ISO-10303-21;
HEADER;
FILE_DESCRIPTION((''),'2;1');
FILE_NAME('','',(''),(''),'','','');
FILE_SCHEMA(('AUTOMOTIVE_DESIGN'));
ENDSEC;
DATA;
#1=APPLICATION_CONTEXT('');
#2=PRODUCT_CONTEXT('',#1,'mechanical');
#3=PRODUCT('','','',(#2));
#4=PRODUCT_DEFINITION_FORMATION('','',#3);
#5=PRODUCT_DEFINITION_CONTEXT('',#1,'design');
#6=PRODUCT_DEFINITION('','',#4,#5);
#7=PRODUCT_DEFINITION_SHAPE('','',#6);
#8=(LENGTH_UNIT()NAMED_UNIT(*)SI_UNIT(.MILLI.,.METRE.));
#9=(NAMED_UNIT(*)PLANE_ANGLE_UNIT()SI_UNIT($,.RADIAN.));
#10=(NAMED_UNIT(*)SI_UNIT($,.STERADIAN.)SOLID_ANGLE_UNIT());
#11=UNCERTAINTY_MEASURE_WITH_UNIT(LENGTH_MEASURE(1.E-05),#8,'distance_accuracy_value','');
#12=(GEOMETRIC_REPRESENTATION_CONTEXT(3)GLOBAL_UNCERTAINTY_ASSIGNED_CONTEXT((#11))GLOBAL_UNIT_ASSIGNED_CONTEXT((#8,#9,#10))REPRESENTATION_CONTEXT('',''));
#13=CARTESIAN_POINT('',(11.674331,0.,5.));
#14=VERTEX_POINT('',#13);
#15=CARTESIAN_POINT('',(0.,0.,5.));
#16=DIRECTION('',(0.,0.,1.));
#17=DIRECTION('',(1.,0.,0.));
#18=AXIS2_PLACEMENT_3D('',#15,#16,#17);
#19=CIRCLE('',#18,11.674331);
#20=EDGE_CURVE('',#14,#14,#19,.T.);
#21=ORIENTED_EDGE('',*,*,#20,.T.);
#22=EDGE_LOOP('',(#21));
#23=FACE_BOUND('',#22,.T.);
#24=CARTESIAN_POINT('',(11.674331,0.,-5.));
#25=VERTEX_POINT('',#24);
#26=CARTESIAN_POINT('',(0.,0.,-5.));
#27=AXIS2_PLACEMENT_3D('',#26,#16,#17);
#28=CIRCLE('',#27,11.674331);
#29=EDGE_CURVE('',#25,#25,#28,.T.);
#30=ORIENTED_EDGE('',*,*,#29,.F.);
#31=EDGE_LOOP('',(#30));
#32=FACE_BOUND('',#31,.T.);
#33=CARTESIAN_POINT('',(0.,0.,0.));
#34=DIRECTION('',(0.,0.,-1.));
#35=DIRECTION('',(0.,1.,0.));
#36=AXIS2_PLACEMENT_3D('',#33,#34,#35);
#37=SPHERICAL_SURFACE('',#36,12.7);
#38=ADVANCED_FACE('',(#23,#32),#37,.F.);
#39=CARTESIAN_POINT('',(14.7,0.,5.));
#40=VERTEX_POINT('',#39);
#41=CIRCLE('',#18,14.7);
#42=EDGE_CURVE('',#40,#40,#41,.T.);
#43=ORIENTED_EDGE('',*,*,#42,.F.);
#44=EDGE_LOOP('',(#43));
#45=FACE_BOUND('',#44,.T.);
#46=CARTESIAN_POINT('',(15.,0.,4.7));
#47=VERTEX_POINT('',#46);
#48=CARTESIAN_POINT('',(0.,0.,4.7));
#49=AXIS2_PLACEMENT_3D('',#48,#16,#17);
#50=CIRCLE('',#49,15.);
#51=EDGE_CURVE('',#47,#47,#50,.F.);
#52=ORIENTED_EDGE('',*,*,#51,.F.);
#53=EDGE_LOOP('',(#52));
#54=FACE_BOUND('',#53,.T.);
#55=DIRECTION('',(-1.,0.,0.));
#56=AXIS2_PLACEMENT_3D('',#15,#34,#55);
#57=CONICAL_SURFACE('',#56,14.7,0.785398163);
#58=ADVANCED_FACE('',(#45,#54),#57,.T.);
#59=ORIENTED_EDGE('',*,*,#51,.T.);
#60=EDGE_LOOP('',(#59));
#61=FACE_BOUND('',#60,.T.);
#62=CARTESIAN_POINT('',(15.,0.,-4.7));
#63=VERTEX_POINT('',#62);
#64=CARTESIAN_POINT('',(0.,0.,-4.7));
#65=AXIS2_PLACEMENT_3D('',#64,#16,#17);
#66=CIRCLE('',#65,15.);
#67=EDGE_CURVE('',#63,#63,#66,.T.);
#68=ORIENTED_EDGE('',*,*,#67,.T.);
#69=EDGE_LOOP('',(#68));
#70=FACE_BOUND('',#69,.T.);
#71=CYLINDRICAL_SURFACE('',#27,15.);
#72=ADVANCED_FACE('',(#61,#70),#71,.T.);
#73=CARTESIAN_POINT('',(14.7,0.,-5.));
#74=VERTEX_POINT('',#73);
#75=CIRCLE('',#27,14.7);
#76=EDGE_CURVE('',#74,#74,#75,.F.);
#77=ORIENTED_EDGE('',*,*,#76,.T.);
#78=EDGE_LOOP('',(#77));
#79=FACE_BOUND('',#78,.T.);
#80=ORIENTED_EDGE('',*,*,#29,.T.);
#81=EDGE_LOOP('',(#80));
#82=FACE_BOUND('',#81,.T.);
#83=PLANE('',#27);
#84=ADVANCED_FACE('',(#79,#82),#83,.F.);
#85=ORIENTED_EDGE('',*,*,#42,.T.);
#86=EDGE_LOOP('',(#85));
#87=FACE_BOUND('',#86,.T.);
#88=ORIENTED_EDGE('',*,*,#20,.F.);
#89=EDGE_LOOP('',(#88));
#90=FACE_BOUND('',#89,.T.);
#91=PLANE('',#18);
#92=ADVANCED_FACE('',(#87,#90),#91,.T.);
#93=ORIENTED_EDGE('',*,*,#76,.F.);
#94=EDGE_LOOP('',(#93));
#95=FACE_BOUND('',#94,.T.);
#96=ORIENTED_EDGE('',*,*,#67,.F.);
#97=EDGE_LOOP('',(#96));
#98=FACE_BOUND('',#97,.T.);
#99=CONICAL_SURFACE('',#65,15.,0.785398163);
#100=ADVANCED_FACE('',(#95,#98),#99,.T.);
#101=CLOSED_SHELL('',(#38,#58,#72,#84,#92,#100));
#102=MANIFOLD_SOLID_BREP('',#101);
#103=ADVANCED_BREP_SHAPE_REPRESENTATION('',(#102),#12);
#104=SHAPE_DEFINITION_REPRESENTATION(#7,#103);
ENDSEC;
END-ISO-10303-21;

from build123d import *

# Parameters (mm, degrees)
EXTRUDE1_START = -5
SKETCH1_R      = 15
SKETCH1_R_2    = 7.95
EXTRUDE1_DEPTH = 10
CHAMFER1_SIZE  = 0.3


with BuildPart() as part:
    # Sketch1 → Extrude1 (new body)
    with BuildSketch(Plane.XY.offset(EXTRUDE1_START)):
        Circle(SKETCH1_R)
        Circle(SKETCH1_R_2, mode=Mode.SUBTRACT)
    extrude(amount=EXTRUDE1_DEPTH)

    # Chamfer1
    chamfer1_edges = [part.edges().sort_by_distance(p)[0] for p in [
        (-15, 0, -5),
        (-15, 0, 5),
    ]]
    chamfer(chamfer1_edges, length=CHAMFER1_SIZE)

    # Sketch2 → Revolve1 (revolve)
    with BuildSketch(Plane(origin=(0, 0, 0), x_dir=(0, 0, -1), z_dir=(1, 0, 0))):
        with BuildLine():
            Line((7, 3), (-7, 3))
            Line((-7, 3), (-7, 10.596697599))
            ThreePointArc((-7, 10.596697599), (0, 12.7), (7, 10.596697599))
            Line((7, 10.596697599), (7, 3))
        make_face()
    revolve(axis=Axis((0, 0, -11.466432169), (0, 0, 1)))

    # Sketch2_2 → Cut-Revolve1 (revolve, cut)
    with BuildSketch(Plane(origin=(0, 0, 0), x_dir=(0, 0, -1), z_dir=(1, 0, 0))):
        with BuildLine():
            Line((7, 3), (-7, 3))
            Line((-7, 3), (-7, 10.596697599))
            ThreePointArc((-7, 10.596697599), (0, 12.7), (7, 10.596697599))
            Line((7, 10.596697599), (7, 3))
        make_face()
    revolve(axis=Axis((0, 0, -11.466432169), (0, 0, 1)), mode=Mode.SUBTRACT)


solid = part.part
